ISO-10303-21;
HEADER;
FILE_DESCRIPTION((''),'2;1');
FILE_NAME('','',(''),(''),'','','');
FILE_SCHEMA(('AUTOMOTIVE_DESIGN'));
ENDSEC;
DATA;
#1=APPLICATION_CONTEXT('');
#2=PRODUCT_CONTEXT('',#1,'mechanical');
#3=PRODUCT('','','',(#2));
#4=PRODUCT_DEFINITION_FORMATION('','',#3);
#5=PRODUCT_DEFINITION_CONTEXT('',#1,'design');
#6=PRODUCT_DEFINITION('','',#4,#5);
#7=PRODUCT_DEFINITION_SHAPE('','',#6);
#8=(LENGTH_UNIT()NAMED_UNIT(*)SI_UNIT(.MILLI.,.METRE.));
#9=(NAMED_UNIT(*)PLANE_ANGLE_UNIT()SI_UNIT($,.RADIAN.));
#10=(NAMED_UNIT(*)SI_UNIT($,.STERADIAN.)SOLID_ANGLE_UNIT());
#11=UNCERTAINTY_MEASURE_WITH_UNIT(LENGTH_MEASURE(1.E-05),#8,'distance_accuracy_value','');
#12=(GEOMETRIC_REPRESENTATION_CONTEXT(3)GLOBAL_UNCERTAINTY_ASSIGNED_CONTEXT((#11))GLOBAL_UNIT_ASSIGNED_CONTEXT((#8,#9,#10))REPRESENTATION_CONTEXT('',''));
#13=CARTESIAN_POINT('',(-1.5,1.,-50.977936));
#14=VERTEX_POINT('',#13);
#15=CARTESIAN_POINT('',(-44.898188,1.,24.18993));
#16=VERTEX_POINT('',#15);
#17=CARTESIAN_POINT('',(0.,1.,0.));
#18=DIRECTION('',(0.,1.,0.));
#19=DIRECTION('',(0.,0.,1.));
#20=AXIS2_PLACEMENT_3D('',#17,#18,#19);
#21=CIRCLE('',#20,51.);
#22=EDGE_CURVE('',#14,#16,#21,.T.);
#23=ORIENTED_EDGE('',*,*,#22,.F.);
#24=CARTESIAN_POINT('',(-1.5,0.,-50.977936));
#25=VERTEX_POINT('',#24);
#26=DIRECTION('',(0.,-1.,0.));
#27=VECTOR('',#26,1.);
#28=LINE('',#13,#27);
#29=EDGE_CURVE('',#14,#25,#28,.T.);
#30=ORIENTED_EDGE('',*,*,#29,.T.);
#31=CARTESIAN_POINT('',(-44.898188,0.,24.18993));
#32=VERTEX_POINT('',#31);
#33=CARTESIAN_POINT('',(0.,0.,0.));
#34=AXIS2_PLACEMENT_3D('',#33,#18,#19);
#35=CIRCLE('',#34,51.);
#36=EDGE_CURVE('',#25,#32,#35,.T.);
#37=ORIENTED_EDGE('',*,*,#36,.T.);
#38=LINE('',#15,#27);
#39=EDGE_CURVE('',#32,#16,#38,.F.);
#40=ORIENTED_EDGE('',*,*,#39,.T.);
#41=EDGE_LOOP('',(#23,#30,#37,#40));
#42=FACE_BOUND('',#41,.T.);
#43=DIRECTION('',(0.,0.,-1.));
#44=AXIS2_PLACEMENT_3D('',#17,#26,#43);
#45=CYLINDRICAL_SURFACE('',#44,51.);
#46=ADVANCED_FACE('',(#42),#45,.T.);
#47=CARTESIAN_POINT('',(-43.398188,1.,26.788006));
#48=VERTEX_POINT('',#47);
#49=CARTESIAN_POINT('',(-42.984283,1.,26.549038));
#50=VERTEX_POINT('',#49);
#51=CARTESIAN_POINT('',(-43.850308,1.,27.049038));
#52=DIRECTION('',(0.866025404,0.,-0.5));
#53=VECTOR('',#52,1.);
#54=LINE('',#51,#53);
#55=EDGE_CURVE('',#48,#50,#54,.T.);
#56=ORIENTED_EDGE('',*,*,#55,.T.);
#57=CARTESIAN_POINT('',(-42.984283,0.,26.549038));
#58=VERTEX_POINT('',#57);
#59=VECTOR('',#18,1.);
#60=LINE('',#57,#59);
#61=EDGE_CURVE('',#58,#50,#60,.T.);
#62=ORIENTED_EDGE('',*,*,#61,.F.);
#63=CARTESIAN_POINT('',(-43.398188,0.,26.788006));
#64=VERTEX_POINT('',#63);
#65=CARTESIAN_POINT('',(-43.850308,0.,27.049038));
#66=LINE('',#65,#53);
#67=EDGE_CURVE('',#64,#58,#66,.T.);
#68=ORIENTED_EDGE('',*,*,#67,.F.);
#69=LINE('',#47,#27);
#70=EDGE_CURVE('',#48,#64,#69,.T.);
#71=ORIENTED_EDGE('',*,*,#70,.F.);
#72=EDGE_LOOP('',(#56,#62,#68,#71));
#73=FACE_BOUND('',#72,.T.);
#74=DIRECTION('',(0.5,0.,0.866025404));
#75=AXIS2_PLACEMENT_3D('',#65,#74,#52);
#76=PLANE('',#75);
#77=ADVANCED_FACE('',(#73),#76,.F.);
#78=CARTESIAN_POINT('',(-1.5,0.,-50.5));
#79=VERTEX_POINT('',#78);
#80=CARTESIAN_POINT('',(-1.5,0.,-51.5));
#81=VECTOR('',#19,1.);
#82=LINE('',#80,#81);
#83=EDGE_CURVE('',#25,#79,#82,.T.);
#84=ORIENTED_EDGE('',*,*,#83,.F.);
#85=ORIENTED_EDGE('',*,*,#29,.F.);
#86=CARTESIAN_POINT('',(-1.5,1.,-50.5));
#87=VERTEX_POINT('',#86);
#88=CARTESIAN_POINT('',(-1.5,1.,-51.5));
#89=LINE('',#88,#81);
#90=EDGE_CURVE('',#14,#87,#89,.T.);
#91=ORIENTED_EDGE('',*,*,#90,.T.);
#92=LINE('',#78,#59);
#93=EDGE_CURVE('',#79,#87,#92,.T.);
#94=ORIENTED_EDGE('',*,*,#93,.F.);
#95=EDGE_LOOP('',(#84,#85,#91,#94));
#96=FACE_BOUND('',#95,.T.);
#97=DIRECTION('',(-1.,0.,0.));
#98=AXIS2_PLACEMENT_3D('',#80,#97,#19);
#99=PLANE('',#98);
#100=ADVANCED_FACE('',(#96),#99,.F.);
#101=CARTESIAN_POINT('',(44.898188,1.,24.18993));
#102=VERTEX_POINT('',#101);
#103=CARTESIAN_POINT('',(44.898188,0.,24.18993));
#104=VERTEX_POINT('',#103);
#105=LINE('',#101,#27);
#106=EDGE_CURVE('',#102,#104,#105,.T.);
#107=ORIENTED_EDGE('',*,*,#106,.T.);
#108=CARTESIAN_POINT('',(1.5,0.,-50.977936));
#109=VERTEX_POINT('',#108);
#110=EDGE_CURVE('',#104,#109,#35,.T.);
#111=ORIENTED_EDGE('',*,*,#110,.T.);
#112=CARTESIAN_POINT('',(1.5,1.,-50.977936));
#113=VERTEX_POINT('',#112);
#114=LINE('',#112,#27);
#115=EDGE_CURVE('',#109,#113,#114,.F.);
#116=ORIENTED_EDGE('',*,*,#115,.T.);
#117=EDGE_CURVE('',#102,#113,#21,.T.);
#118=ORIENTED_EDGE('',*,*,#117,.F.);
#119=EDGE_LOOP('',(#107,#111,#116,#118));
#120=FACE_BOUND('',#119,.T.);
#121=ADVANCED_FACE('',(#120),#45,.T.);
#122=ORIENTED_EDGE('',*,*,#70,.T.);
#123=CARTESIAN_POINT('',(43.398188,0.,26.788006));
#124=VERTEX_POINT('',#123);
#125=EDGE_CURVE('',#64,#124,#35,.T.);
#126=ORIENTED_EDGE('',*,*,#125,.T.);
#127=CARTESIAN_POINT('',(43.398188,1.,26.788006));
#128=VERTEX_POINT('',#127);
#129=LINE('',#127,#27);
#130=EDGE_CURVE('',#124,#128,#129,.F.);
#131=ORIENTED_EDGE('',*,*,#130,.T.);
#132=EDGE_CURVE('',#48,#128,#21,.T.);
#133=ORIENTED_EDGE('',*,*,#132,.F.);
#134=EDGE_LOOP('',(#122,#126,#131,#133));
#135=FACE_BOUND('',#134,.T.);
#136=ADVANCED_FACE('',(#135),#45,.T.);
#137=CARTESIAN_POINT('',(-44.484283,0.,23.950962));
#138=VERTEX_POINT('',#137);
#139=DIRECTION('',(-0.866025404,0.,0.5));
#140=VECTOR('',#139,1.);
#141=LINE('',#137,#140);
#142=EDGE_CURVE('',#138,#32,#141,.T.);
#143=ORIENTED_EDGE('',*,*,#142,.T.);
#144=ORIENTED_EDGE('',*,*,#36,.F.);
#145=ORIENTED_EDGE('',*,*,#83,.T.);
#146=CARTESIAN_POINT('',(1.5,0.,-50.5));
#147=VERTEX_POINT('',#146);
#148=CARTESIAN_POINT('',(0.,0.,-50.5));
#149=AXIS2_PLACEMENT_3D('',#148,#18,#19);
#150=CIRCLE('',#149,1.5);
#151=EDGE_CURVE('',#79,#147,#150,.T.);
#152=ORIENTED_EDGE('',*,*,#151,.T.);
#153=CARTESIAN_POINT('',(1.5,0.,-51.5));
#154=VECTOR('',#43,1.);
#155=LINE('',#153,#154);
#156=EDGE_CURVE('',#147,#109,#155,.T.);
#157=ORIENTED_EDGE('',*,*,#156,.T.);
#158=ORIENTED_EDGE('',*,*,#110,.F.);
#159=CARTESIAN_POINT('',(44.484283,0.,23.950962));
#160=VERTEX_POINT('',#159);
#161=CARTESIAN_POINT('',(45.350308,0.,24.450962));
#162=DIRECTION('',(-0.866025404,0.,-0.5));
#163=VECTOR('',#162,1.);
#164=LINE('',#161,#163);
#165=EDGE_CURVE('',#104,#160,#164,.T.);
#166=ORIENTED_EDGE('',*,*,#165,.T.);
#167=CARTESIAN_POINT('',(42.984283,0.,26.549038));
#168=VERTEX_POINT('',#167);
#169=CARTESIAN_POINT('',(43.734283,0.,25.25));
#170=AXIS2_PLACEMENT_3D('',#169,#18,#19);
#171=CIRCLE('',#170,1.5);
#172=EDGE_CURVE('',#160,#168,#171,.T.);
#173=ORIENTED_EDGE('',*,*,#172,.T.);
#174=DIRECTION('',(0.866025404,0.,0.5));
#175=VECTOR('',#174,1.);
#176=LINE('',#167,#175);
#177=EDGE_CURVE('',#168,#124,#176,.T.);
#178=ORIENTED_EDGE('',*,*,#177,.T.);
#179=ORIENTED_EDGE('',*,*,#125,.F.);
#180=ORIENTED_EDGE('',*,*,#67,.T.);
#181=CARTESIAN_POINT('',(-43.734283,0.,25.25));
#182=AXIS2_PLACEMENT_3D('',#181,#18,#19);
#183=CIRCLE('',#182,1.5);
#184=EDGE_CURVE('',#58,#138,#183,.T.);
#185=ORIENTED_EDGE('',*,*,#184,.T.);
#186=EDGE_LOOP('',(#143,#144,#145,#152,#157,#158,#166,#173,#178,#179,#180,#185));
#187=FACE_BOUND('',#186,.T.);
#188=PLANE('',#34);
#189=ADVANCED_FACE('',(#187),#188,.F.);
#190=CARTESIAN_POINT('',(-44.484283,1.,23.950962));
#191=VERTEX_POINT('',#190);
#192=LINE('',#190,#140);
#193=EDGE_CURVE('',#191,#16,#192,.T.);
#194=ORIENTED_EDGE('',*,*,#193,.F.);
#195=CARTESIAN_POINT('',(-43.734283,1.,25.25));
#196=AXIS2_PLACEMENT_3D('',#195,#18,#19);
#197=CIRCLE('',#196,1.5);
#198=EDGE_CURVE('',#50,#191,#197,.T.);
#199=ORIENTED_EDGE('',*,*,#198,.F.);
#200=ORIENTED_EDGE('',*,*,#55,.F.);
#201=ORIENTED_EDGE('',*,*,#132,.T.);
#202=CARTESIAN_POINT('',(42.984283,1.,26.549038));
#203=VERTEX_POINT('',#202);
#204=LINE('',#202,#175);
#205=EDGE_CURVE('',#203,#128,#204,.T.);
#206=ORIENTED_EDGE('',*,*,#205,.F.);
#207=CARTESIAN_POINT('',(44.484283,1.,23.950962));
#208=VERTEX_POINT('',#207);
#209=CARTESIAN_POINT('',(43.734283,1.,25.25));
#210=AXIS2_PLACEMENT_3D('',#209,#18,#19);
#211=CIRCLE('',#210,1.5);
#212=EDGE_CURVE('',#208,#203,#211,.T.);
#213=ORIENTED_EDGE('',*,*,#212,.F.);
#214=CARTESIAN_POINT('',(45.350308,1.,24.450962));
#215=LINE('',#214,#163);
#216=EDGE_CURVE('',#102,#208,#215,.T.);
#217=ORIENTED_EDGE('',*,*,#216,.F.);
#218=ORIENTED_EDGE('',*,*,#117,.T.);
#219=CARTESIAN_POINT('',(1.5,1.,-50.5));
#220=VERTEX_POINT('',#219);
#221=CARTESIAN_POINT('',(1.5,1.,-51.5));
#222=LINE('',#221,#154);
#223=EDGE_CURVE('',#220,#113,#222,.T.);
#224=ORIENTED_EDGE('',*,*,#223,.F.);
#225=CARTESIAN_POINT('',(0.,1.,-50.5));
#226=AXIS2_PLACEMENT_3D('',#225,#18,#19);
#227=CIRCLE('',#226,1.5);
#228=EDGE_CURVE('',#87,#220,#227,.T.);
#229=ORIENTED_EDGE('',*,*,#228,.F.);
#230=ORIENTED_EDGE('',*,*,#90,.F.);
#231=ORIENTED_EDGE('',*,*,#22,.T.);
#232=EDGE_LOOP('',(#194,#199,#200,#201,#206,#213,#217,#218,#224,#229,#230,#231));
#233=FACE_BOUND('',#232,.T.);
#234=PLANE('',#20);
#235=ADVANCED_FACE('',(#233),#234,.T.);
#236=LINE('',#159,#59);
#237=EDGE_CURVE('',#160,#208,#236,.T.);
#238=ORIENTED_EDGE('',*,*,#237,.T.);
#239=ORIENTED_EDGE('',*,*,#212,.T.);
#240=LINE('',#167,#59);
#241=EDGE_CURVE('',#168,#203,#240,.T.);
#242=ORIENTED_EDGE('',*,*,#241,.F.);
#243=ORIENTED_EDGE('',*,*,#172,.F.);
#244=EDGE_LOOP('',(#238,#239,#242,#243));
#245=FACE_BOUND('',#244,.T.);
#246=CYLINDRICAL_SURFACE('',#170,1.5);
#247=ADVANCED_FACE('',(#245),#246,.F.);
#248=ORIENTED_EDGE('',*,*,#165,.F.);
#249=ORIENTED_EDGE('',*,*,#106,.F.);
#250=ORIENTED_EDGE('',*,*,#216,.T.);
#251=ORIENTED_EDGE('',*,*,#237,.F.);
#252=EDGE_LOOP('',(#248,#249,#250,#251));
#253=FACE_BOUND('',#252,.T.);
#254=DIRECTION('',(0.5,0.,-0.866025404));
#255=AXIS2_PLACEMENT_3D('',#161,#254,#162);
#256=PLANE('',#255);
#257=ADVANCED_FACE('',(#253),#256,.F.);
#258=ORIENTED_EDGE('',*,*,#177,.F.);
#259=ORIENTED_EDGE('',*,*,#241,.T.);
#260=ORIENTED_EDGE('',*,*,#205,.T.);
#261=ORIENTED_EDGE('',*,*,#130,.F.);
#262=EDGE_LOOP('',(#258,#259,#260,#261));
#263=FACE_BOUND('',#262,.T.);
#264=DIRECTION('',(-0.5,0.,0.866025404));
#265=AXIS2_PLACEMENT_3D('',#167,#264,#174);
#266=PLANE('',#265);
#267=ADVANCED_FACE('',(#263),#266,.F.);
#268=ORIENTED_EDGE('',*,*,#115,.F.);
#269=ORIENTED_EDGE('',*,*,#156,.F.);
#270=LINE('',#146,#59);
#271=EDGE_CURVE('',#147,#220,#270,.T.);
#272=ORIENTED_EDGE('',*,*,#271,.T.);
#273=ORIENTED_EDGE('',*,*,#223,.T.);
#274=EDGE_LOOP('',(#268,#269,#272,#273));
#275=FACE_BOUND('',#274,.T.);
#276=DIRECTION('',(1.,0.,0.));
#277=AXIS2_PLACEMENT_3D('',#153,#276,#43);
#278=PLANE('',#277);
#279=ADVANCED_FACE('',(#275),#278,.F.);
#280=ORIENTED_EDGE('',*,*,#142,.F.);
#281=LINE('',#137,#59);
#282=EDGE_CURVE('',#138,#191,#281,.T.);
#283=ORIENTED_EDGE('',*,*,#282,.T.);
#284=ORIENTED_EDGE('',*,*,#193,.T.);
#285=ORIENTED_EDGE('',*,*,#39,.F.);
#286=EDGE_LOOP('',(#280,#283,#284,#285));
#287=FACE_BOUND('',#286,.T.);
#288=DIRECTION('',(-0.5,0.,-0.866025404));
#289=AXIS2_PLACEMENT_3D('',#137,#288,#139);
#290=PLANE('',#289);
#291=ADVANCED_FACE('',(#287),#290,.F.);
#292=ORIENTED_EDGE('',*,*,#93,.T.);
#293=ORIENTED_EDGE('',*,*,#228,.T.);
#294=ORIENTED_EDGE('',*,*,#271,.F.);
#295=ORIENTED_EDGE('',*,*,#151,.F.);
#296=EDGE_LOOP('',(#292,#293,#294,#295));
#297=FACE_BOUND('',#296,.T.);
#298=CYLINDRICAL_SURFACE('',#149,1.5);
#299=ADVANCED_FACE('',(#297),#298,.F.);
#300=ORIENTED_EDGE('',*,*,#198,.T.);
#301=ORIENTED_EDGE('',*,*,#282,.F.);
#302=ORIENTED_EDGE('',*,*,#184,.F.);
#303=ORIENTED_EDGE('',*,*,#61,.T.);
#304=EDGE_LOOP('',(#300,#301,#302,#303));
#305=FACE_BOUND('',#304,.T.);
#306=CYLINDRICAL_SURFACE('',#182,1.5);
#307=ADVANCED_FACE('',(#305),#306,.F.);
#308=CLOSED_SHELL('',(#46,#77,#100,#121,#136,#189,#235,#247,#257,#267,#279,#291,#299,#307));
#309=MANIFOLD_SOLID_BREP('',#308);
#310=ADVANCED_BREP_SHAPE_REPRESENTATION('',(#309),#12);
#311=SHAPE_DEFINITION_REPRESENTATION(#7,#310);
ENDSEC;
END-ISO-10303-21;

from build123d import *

# Parameters (mm, degrees)
SKETCH_1_R          = 51
EXTRUDE_1_DEPTH     = 1
SKETCH_2_R          = 1.5
CUT_EXTRUDE_1_DEPTH = 73.131823767
SKETCH_3_W          = 3
SKETCH_3_H          = 1
CUT_EXTRUDE_2_DEPTH = 73.131823767


with BuildPart() as part:
    # 草图1 → 凸台-拉伸1 (new body)
    with BuildSketch(Plane(origin=(0, 0, 0), x_dir=(1, 0, 0), z_dir=(0, 1, 0))):
        with Locations(Location((0, 0, 0), (0, 0, 270))):
            Circle(SKETCH_1_R)
    extrude(amount=EXTRUDE_1_DEPTH)

    # 草图2 → 切除-拉伸1 (cut, through all)
    with BuildSketch(Plane(origin=(0, 1, 0), x_dir=(1, 0, 0), z_dir=(0, 1, 0))):
        with Locations((0, 50.5)):
            Circle(SKETCH_2_R)
        with Locations((-43.734282891, -25.25)):
            Circle(SKETCH_2_R)
        with Locations((43.734282891, -25.25)):
            Circle(SKETCH_2_R)
    extrude(amount=-CUT_EXTRUDE_1_DEPTH, mode=Mode.SUBTRACT)

    # 草图3 → 切除-拉伸2 (cut, through all)
    with BuildSketch(Plane(origin=(0, 1, 0), x_dir=(1, 0, 0), z_dir=(0, 1, 0))):
        Polygon((-44.484282891, -23.950961894), (-45.350308295, -24.450961894), (-43.850308295, -27.049038106), (-42.984282891, -26.549038106), align=None)
        with Locations((0, 51)):
            Rectangle(SKETCH_3_W, SKETCH_3_H)
        Polygon((44.484282891, -23.950961894), (42.984282891, -26.549038106), (43.850308295, -27.049038106), (45.350308295, -24.450961894), align=None)
    extrude(amount=-CUT_EXTRUDE_2_DEPTH, mode=Mode.SUBTRACT)


solid = part.part
